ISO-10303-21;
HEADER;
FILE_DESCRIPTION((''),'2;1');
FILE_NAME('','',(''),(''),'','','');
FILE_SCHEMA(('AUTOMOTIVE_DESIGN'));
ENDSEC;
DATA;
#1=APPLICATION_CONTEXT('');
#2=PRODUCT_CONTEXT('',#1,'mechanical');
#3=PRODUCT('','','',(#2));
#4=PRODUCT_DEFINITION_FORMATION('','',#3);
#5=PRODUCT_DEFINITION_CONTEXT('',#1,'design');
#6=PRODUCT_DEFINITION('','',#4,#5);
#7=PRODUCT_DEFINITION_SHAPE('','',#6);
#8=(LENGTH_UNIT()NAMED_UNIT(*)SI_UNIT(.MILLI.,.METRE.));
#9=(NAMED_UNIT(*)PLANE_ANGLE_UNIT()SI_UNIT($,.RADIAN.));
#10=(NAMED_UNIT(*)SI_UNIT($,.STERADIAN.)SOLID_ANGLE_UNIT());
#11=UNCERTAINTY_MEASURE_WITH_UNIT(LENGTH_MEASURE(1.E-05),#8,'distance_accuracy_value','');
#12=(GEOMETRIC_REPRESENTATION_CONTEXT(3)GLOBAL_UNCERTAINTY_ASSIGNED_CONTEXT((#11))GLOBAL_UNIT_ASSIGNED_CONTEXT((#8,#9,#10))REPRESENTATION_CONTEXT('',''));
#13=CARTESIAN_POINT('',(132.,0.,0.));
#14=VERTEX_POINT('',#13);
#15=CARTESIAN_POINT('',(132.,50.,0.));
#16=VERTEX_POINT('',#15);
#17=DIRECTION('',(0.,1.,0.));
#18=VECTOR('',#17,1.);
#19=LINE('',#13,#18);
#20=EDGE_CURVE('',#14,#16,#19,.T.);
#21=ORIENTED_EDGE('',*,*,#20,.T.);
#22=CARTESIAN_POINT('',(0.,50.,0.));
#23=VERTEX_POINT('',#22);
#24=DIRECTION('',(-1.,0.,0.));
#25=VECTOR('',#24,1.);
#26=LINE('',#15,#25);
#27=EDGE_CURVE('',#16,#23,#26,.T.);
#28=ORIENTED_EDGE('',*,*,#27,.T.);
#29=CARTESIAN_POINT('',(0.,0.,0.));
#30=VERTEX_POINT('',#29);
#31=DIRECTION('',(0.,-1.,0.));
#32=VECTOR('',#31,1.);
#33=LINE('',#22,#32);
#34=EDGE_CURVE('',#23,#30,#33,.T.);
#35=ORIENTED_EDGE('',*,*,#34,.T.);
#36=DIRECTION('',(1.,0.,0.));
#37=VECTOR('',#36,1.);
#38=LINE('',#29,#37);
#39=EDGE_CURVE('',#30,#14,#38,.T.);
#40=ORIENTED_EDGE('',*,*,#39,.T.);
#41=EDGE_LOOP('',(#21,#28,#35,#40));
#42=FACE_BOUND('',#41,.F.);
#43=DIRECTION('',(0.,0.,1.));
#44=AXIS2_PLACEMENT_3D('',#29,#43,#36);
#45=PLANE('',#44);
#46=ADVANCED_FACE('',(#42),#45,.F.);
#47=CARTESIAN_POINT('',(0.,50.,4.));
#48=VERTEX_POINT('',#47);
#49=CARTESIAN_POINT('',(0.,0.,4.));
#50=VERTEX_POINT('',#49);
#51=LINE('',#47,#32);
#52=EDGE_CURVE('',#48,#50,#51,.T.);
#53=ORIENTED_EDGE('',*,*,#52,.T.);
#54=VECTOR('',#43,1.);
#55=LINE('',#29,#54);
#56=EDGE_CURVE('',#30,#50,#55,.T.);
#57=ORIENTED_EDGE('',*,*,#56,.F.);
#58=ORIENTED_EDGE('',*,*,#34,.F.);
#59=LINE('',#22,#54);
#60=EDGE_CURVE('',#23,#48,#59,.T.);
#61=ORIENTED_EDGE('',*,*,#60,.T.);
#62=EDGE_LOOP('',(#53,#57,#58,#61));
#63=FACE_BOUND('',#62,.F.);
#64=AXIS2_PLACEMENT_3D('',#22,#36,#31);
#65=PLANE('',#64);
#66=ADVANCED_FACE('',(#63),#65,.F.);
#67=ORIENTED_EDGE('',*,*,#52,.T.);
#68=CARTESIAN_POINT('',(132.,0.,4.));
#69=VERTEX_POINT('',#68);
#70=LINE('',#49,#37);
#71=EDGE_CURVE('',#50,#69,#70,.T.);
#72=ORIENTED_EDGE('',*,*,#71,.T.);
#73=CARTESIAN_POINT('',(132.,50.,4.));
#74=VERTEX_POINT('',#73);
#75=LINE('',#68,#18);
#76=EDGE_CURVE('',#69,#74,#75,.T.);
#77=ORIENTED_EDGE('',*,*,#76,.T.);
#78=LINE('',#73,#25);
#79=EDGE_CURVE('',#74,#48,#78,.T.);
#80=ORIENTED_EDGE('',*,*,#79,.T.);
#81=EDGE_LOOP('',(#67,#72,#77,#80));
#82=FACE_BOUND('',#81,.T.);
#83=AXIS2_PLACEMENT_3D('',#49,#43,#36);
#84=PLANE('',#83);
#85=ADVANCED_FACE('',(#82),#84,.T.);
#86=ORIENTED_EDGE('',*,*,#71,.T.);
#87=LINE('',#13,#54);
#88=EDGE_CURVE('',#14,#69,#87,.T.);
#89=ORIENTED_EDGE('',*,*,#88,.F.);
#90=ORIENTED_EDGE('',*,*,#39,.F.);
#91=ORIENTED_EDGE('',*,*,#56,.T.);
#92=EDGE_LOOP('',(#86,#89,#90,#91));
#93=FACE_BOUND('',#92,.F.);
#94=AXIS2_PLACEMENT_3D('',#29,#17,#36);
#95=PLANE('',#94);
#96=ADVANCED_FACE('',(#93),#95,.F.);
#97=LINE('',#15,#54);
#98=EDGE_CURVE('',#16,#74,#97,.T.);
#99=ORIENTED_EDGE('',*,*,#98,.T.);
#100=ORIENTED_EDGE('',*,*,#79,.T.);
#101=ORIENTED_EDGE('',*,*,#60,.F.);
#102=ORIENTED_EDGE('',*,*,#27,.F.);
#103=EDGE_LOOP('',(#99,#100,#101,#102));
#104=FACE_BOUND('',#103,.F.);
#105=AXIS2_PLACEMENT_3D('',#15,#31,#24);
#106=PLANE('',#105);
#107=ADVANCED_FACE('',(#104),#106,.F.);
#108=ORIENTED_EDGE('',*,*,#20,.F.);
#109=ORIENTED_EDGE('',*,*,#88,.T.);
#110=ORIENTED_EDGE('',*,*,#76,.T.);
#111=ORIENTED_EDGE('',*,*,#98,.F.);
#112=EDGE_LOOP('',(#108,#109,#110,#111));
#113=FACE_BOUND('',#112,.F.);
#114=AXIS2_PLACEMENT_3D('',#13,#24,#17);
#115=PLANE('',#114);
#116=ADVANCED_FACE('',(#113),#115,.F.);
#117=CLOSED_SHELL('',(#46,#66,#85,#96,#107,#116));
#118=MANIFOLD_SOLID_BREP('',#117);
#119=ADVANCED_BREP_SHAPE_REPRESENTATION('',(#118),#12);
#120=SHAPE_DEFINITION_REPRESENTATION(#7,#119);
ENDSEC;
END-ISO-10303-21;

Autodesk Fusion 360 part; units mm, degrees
sketch "Esquisse1" plane through (0, 0, 0) normal (0, 0, 1) x (1, 0, 0)
  line L0 (0, 0) -> (132, 0)
  line L1 (132, 0) -> (132, 50)
  line L2 (132, 50) -> (0, 50)
  line L3 (0, 50) -> (0, 0)
  dimension "d1" = 132
  dimension "d2" = 50
extrude "Extrusion1" add sketch "Esquisse1" along normal blind 4
